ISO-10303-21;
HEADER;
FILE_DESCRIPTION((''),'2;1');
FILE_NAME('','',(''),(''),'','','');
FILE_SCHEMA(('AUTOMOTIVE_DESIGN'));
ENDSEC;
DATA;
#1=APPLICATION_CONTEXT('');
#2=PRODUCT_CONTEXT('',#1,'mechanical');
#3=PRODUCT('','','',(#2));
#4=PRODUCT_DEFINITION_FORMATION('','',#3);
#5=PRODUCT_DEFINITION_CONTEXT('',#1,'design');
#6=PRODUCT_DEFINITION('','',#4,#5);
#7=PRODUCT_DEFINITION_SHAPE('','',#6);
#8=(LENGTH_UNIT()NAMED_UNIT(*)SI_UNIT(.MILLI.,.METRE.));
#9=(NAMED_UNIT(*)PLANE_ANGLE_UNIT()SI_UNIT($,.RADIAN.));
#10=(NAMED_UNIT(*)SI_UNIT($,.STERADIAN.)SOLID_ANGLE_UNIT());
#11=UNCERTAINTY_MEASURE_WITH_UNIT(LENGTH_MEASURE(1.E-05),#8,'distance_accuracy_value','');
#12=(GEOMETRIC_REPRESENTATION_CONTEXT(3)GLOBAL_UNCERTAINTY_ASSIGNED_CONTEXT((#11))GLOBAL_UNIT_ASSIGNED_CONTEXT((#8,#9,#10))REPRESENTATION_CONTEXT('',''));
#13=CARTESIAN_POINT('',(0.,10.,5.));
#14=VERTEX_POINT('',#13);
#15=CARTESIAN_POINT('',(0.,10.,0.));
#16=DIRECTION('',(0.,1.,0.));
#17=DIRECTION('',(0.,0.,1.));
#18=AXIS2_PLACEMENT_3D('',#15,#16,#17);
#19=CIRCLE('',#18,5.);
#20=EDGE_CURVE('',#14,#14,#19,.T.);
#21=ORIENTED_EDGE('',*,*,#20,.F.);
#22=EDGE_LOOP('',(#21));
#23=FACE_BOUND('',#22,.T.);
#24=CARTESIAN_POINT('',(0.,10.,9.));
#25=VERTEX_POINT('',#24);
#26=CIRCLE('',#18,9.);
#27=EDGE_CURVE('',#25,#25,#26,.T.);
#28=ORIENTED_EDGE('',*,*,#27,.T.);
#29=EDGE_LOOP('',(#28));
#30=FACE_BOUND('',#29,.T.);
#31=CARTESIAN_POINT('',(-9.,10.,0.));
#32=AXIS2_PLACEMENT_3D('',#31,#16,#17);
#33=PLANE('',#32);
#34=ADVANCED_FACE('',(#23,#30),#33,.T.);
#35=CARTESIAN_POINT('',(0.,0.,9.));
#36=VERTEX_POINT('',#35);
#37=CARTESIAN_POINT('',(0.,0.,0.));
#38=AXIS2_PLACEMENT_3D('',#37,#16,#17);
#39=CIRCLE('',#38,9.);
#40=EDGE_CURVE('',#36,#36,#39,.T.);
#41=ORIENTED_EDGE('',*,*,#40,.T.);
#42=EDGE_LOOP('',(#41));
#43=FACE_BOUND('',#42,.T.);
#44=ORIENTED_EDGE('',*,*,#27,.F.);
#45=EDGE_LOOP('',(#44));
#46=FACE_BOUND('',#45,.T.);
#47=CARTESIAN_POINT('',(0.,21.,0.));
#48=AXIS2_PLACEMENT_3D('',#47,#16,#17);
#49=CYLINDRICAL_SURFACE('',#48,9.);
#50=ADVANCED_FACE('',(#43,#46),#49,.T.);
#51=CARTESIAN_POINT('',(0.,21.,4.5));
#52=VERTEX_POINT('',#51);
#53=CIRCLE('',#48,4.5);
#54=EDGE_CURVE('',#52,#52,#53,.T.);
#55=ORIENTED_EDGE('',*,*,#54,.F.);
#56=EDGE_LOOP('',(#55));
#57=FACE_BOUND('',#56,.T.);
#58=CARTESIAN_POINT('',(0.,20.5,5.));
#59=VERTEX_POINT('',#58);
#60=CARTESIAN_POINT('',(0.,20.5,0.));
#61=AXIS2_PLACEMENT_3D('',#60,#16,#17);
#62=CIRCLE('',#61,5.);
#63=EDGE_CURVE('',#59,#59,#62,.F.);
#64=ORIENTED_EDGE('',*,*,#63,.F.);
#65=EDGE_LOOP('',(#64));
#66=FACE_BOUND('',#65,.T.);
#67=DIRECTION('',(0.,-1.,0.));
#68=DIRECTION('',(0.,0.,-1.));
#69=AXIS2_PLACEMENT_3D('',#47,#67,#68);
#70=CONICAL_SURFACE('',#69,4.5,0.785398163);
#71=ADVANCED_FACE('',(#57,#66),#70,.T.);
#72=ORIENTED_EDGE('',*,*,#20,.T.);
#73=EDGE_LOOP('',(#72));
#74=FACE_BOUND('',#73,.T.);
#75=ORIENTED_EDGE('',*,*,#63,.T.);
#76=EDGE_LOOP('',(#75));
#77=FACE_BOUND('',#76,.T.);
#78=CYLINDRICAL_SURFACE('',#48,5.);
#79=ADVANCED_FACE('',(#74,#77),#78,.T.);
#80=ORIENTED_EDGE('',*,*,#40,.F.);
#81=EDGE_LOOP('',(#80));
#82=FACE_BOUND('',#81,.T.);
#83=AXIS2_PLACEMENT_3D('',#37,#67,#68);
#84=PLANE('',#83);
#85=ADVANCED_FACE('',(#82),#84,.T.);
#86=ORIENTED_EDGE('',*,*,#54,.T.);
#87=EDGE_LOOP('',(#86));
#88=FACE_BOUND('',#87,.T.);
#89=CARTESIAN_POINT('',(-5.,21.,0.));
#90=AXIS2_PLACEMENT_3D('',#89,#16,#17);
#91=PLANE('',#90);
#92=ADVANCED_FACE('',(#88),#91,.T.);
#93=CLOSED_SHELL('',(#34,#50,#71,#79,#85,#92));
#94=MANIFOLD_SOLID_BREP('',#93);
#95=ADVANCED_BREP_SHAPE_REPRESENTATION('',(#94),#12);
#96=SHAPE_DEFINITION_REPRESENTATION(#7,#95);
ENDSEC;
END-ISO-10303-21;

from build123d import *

# Parameters (mm, degrees)
ZKOSEN_1_SIZE = 0.5


with BuildPart() as part:
    # Skica1 → Rotovat1 (revolve)
    with BuildSketch(Plane.XY, mode=Mode.PRIVATE) as rotovat1_sk:
        Polygon((0, 0), (-9, 0), (-9, 10), (-5, 10), (-5, 21), (0, 21), align=None)
    revolve(rotovat1_sk.sketch.rotate(Axis((0, 21, 0), (0, -1, 0)), 270), axis=Axis((0, 21, 0), (0, -1, 0)))

    # Zkosení1
    zkosen_1_edges = [part.edges().sort_by_distance(p)[0] for p in [
        (0, 21, -5),
    ]]
    chamfer(zkosen_1_edges, length=ZKOSEN_1_SIZE)


solid = part.part
